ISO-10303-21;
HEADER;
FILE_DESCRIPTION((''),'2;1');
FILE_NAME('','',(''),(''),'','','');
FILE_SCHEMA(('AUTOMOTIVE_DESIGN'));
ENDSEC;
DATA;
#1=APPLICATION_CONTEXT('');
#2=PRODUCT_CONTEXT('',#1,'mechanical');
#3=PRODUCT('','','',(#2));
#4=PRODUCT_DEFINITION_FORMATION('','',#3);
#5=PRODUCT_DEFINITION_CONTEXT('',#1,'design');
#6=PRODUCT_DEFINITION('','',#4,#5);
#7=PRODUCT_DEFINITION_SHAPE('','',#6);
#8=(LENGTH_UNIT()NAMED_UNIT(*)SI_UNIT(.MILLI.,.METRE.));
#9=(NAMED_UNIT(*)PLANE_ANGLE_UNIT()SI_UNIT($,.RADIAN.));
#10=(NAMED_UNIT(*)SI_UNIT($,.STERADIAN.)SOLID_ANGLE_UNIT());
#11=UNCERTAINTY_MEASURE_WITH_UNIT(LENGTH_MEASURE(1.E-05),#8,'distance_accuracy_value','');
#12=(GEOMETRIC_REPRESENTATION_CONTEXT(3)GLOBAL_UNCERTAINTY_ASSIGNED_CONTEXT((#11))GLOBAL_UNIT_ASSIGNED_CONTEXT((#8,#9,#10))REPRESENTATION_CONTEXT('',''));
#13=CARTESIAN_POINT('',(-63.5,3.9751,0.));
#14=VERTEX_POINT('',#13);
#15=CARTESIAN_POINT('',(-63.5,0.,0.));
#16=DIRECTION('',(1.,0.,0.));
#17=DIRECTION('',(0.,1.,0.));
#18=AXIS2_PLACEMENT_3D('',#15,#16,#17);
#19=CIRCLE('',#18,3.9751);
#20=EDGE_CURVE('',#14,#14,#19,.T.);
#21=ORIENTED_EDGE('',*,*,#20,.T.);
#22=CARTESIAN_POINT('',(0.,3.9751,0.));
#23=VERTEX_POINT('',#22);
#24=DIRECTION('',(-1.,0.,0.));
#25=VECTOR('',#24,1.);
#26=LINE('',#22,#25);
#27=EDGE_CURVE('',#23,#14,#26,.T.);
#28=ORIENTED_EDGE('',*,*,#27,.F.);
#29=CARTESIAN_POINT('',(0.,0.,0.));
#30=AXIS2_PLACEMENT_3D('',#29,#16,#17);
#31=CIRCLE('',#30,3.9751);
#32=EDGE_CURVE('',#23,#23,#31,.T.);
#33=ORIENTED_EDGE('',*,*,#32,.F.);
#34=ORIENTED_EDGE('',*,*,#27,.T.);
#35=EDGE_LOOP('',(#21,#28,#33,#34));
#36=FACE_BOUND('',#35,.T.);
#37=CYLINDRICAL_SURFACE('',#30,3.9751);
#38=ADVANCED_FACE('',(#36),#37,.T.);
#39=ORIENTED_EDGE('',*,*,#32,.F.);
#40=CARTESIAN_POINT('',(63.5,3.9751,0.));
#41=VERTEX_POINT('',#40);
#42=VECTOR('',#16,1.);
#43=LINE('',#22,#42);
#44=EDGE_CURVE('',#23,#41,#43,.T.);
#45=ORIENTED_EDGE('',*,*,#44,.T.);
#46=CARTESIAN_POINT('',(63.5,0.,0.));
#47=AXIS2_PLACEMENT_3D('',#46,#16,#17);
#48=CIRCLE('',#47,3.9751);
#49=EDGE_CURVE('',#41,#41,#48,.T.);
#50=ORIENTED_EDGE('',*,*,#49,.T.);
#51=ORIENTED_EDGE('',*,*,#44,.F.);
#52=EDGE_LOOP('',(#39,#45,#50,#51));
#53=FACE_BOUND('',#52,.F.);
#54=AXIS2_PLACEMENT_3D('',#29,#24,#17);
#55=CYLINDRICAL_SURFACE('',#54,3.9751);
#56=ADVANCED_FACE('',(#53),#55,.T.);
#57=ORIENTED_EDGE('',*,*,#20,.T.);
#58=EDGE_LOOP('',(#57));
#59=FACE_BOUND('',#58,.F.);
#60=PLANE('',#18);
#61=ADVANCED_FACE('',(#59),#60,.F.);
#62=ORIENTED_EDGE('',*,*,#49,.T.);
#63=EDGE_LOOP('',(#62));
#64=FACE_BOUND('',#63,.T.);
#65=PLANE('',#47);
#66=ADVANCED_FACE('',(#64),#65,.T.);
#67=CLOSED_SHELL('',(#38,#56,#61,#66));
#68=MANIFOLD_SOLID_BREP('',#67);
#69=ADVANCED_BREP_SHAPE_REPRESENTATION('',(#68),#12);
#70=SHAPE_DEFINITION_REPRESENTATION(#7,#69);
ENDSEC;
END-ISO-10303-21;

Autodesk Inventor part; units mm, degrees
ref_plane "YZ Plane" through (0, 0, 0) normal (1, 0, 0) x (0, 1, 0)
ref_plane "XZ Plane" through (0, 0, 0) normal (0, 1, 0) x (-1, 0, 0)
ref_plane "XY Plane" through (0, 0, 0) normal (0, 0, 1) x (1, 0, 0)
sketch "Sketch1" plane through (0, 0, 0) normal (1, 0, 0) x (0, 1, 0)
  circle A0 centre (0, 0) radius 3.9751
  dimension "d0" = 7.9502
extrude "Extrusion1" add sketch "Sketch1" along normal mid plane 127
properties part number "Dart Extension" material "Aluminum 6061"
